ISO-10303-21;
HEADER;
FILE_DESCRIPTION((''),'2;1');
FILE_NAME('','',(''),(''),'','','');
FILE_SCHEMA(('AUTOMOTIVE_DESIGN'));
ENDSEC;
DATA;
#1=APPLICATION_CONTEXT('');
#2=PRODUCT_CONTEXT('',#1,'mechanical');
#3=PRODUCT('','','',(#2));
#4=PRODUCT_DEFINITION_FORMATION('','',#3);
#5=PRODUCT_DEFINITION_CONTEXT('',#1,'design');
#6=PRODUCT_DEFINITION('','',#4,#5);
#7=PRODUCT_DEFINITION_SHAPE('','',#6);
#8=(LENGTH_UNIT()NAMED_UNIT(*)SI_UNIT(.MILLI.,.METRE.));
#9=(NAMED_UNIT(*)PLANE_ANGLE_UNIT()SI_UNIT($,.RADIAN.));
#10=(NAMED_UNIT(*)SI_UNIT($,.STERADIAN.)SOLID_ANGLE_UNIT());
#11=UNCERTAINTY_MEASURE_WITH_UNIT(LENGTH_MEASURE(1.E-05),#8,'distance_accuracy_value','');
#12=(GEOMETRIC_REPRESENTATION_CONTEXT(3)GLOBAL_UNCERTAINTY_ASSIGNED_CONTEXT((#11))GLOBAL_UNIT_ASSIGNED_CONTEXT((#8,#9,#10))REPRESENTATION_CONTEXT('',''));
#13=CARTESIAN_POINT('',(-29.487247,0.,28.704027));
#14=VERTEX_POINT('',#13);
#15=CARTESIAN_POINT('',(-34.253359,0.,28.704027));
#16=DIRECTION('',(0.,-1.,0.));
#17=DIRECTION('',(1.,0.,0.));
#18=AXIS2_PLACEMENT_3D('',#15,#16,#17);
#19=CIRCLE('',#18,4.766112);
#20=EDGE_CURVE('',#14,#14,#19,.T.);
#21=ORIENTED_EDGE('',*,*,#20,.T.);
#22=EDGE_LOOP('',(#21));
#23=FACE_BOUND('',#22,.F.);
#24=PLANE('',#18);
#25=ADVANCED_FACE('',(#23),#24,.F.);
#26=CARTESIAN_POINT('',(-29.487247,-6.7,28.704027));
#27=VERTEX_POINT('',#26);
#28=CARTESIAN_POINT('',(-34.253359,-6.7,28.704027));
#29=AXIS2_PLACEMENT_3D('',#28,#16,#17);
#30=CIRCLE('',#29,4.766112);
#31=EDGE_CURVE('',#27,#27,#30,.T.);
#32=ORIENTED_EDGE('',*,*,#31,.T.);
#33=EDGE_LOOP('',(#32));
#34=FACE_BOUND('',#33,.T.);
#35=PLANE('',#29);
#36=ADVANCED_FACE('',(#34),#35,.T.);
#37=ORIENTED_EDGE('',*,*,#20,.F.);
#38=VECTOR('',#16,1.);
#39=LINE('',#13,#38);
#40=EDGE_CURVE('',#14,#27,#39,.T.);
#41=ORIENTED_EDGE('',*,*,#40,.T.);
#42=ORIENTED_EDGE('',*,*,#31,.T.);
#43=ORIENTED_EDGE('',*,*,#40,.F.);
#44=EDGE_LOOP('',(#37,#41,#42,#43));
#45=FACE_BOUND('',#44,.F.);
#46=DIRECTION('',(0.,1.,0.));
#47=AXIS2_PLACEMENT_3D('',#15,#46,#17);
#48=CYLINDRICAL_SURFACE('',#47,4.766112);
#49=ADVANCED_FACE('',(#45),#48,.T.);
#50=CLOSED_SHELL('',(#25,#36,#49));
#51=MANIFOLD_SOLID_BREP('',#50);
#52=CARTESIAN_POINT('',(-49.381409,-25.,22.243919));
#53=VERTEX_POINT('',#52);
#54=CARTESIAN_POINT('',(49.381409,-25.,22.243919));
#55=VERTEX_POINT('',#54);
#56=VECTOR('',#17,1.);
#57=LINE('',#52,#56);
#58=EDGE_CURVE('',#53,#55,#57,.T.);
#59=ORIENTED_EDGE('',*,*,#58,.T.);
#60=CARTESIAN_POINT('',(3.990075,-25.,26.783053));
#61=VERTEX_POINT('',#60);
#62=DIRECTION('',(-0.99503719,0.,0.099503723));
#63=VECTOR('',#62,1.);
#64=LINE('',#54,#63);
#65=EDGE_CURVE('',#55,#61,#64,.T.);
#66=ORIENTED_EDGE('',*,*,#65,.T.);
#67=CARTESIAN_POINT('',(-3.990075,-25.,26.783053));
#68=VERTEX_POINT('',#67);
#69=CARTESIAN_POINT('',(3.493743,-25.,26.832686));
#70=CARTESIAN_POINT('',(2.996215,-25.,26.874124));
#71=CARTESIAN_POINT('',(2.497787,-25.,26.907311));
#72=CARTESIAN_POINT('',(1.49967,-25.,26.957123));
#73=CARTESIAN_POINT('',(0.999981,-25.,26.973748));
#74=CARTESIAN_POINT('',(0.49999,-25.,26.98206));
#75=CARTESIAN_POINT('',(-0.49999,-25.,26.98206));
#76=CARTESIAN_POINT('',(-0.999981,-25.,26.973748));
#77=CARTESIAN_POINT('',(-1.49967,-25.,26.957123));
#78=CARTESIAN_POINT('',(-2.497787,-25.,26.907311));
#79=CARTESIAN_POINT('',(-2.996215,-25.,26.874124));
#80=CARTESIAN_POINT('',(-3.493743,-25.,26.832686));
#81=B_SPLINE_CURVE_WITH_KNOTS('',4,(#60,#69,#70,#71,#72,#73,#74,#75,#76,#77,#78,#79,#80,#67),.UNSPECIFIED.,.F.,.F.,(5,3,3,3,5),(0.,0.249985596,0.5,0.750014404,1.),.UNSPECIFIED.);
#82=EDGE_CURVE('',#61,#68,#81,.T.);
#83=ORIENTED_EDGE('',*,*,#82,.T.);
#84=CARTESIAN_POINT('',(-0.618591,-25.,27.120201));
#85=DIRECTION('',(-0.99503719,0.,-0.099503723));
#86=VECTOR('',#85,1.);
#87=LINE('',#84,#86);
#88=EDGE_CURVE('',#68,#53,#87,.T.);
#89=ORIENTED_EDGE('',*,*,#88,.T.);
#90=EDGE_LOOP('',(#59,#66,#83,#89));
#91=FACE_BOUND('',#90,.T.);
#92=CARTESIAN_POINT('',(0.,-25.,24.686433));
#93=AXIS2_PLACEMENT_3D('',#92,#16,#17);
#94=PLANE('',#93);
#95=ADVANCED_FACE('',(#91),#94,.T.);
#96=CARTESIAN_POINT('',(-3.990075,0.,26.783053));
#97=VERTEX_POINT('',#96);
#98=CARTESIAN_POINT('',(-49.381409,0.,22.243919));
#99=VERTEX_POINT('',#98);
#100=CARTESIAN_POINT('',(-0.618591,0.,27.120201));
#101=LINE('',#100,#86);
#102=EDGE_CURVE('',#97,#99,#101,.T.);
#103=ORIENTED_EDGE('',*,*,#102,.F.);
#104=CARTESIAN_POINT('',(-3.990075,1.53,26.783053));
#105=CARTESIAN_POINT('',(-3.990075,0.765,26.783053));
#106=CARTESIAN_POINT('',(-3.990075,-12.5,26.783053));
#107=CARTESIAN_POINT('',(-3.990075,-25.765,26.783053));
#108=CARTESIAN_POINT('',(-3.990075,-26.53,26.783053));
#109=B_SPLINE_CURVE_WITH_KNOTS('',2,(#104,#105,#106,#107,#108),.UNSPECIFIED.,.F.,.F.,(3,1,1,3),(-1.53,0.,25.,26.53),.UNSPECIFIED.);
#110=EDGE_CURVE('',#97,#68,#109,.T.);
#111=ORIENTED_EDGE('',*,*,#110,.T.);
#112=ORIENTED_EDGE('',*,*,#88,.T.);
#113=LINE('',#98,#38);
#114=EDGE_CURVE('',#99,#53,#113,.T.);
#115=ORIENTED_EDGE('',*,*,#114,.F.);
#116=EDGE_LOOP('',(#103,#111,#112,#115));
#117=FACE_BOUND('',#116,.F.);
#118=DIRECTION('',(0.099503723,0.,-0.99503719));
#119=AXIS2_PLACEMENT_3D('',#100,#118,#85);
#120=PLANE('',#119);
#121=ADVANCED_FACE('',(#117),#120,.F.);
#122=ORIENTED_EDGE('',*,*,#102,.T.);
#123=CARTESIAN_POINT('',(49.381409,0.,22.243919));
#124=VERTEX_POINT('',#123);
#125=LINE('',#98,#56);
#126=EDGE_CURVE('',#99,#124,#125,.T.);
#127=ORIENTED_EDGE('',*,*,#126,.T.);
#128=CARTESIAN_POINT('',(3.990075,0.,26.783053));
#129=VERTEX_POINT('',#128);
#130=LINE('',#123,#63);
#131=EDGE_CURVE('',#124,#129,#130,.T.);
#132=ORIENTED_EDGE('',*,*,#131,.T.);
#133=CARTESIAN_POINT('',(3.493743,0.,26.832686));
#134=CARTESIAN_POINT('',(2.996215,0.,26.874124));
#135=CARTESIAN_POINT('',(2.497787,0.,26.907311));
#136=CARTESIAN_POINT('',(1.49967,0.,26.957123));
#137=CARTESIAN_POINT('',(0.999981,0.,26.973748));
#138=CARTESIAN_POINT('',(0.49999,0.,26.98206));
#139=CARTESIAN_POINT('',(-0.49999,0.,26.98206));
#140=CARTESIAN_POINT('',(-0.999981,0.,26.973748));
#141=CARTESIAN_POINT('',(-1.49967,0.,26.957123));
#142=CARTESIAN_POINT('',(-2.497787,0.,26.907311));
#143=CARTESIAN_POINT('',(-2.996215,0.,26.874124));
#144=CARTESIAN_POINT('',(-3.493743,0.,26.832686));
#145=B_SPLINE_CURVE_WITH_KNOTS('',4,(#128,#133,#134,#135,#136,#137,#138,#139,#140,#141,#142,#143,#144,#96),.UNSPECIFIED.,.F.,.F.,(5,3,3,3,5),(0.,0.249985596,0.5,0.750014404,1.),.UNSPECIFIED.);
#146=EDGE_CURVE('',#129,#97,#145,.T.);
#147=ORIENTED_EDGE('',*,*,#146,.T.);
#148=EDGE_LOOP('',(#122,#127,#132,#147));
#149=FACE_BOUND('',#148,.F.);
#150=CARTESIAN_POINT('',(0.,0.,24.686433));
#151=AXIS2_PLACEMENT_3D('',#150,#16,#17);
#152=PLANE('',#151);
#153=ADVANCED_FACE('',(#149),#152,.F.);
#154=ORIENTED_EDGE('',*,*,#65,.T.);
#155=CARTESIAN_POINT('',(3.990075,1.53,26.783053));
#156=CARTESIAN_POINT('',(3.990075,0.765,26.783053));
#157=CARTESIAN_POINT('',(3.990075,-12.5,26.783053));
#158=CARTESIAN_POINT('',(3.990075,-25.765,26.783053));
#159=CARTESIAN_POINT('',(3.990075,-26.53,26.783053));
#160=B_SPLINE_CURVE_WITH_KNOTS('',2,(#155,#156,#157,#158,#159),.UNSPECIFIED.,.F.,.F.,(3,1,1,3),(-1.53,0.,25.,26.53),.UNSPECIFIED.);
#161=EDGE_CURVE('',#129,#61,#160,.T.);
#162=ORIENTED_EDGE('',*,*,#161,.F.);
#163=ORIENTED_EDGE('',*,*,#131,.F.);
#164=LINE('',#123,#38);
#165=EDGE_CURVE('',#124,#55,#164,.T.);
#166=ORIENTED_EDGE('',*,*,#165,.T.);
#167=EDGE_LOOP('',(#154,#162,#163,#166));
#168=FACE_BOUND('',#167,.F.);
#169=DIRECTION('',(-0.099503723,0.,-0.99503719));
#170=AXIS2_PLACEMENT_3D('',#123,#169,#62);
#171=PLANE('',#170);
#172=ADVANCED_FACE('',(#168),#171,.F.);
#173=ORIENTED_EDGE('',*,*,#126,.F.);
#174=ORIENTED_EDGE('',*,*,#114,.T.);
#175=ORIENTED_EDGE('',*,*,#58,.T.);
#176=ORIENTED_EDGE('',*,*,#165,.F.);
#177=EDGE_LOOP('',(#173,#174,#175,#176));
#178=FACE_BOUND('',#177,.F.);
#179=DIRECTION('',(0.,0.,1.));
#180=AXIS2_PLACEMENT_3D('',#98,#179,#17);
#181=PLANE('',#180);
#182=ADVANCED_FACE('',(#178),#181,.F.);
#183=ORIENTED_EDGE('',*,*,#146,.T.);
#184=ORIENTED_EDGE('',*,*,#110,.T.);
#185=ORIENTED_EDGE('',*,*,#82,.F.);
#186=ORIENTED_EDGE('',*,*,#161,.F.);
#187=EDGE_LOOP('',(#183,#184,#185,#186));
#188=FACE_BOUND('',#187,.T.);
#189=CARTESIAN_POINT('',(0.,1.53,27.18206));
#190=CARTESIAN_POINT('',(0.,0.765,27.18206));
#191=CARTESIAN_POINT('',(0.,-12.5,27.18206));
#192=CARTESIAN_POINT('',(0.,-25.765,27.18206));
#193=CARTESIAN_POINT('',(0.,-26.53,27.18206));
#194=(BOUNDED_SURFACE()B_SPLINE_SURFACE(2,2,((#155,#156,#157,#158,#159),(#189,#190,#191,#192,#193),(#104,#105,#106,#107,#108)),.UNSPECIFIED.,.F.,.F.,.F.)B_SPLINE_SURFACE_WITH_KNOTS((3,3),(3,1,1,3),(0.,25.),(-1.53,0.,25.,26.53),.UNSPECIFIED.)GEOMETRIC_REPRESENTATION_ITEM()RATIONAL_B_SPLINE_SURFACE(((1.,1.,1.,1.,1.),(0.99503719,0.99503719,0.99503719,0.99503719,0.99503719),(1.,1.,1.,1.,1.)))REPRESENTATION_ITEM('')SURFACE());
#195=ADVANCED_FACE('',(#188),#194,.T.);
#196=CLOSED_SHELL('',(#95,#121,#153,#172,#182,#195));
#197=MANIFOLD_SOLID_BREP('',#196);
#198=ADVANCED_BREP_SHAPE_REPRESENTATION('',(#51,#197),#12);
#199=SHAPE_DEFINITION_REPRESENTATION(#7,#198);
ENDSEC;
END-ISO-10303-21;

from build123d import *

# Parameters (mm, degrees)
F1_DEPTH = 25
F2_R     = 40.099751
F3_R     = 4.766112
F4_DEPTH = 6.7


with BuildPart() as f1:
    # F0 (on Front) → F1 (new body)
    with BuildSketch(Plane.XZ):
        Polygon((-0.618591, 27.120201), (-0.618591, 22.243919), (0.618591, 22.243919), (0.618591, 27.120201), (0, 27.18206), align=None)
        Polygon((0.618591, 27.120201), (0.618591, 22.243919), (49.381409, 22.243919), align=None)
        Polygon((-0.618591, 27.120201), (-49.381409, 22.243919), (-0.618591, 22.243919), align=None)
    extrude(amount=F1_DEPTH)

    # F2
    f2_edges = [f1.edges().sort_by_distance(p)[0] for p in [
        (0, -12.5, 27.18206),
    ]]
    fillet(f2_edges, radius=F2_R)


with BuildPart() as f4:
    # F3 (on Front) → F4 (new body)
    with BuildSketch(Plane.XZ):
        with Locations((-34.253359, 28.704027)):
            Circle(F3_R)
    extrude(amount=F4_DEPTH)


solid = Compound([f1.part, f4.part])
